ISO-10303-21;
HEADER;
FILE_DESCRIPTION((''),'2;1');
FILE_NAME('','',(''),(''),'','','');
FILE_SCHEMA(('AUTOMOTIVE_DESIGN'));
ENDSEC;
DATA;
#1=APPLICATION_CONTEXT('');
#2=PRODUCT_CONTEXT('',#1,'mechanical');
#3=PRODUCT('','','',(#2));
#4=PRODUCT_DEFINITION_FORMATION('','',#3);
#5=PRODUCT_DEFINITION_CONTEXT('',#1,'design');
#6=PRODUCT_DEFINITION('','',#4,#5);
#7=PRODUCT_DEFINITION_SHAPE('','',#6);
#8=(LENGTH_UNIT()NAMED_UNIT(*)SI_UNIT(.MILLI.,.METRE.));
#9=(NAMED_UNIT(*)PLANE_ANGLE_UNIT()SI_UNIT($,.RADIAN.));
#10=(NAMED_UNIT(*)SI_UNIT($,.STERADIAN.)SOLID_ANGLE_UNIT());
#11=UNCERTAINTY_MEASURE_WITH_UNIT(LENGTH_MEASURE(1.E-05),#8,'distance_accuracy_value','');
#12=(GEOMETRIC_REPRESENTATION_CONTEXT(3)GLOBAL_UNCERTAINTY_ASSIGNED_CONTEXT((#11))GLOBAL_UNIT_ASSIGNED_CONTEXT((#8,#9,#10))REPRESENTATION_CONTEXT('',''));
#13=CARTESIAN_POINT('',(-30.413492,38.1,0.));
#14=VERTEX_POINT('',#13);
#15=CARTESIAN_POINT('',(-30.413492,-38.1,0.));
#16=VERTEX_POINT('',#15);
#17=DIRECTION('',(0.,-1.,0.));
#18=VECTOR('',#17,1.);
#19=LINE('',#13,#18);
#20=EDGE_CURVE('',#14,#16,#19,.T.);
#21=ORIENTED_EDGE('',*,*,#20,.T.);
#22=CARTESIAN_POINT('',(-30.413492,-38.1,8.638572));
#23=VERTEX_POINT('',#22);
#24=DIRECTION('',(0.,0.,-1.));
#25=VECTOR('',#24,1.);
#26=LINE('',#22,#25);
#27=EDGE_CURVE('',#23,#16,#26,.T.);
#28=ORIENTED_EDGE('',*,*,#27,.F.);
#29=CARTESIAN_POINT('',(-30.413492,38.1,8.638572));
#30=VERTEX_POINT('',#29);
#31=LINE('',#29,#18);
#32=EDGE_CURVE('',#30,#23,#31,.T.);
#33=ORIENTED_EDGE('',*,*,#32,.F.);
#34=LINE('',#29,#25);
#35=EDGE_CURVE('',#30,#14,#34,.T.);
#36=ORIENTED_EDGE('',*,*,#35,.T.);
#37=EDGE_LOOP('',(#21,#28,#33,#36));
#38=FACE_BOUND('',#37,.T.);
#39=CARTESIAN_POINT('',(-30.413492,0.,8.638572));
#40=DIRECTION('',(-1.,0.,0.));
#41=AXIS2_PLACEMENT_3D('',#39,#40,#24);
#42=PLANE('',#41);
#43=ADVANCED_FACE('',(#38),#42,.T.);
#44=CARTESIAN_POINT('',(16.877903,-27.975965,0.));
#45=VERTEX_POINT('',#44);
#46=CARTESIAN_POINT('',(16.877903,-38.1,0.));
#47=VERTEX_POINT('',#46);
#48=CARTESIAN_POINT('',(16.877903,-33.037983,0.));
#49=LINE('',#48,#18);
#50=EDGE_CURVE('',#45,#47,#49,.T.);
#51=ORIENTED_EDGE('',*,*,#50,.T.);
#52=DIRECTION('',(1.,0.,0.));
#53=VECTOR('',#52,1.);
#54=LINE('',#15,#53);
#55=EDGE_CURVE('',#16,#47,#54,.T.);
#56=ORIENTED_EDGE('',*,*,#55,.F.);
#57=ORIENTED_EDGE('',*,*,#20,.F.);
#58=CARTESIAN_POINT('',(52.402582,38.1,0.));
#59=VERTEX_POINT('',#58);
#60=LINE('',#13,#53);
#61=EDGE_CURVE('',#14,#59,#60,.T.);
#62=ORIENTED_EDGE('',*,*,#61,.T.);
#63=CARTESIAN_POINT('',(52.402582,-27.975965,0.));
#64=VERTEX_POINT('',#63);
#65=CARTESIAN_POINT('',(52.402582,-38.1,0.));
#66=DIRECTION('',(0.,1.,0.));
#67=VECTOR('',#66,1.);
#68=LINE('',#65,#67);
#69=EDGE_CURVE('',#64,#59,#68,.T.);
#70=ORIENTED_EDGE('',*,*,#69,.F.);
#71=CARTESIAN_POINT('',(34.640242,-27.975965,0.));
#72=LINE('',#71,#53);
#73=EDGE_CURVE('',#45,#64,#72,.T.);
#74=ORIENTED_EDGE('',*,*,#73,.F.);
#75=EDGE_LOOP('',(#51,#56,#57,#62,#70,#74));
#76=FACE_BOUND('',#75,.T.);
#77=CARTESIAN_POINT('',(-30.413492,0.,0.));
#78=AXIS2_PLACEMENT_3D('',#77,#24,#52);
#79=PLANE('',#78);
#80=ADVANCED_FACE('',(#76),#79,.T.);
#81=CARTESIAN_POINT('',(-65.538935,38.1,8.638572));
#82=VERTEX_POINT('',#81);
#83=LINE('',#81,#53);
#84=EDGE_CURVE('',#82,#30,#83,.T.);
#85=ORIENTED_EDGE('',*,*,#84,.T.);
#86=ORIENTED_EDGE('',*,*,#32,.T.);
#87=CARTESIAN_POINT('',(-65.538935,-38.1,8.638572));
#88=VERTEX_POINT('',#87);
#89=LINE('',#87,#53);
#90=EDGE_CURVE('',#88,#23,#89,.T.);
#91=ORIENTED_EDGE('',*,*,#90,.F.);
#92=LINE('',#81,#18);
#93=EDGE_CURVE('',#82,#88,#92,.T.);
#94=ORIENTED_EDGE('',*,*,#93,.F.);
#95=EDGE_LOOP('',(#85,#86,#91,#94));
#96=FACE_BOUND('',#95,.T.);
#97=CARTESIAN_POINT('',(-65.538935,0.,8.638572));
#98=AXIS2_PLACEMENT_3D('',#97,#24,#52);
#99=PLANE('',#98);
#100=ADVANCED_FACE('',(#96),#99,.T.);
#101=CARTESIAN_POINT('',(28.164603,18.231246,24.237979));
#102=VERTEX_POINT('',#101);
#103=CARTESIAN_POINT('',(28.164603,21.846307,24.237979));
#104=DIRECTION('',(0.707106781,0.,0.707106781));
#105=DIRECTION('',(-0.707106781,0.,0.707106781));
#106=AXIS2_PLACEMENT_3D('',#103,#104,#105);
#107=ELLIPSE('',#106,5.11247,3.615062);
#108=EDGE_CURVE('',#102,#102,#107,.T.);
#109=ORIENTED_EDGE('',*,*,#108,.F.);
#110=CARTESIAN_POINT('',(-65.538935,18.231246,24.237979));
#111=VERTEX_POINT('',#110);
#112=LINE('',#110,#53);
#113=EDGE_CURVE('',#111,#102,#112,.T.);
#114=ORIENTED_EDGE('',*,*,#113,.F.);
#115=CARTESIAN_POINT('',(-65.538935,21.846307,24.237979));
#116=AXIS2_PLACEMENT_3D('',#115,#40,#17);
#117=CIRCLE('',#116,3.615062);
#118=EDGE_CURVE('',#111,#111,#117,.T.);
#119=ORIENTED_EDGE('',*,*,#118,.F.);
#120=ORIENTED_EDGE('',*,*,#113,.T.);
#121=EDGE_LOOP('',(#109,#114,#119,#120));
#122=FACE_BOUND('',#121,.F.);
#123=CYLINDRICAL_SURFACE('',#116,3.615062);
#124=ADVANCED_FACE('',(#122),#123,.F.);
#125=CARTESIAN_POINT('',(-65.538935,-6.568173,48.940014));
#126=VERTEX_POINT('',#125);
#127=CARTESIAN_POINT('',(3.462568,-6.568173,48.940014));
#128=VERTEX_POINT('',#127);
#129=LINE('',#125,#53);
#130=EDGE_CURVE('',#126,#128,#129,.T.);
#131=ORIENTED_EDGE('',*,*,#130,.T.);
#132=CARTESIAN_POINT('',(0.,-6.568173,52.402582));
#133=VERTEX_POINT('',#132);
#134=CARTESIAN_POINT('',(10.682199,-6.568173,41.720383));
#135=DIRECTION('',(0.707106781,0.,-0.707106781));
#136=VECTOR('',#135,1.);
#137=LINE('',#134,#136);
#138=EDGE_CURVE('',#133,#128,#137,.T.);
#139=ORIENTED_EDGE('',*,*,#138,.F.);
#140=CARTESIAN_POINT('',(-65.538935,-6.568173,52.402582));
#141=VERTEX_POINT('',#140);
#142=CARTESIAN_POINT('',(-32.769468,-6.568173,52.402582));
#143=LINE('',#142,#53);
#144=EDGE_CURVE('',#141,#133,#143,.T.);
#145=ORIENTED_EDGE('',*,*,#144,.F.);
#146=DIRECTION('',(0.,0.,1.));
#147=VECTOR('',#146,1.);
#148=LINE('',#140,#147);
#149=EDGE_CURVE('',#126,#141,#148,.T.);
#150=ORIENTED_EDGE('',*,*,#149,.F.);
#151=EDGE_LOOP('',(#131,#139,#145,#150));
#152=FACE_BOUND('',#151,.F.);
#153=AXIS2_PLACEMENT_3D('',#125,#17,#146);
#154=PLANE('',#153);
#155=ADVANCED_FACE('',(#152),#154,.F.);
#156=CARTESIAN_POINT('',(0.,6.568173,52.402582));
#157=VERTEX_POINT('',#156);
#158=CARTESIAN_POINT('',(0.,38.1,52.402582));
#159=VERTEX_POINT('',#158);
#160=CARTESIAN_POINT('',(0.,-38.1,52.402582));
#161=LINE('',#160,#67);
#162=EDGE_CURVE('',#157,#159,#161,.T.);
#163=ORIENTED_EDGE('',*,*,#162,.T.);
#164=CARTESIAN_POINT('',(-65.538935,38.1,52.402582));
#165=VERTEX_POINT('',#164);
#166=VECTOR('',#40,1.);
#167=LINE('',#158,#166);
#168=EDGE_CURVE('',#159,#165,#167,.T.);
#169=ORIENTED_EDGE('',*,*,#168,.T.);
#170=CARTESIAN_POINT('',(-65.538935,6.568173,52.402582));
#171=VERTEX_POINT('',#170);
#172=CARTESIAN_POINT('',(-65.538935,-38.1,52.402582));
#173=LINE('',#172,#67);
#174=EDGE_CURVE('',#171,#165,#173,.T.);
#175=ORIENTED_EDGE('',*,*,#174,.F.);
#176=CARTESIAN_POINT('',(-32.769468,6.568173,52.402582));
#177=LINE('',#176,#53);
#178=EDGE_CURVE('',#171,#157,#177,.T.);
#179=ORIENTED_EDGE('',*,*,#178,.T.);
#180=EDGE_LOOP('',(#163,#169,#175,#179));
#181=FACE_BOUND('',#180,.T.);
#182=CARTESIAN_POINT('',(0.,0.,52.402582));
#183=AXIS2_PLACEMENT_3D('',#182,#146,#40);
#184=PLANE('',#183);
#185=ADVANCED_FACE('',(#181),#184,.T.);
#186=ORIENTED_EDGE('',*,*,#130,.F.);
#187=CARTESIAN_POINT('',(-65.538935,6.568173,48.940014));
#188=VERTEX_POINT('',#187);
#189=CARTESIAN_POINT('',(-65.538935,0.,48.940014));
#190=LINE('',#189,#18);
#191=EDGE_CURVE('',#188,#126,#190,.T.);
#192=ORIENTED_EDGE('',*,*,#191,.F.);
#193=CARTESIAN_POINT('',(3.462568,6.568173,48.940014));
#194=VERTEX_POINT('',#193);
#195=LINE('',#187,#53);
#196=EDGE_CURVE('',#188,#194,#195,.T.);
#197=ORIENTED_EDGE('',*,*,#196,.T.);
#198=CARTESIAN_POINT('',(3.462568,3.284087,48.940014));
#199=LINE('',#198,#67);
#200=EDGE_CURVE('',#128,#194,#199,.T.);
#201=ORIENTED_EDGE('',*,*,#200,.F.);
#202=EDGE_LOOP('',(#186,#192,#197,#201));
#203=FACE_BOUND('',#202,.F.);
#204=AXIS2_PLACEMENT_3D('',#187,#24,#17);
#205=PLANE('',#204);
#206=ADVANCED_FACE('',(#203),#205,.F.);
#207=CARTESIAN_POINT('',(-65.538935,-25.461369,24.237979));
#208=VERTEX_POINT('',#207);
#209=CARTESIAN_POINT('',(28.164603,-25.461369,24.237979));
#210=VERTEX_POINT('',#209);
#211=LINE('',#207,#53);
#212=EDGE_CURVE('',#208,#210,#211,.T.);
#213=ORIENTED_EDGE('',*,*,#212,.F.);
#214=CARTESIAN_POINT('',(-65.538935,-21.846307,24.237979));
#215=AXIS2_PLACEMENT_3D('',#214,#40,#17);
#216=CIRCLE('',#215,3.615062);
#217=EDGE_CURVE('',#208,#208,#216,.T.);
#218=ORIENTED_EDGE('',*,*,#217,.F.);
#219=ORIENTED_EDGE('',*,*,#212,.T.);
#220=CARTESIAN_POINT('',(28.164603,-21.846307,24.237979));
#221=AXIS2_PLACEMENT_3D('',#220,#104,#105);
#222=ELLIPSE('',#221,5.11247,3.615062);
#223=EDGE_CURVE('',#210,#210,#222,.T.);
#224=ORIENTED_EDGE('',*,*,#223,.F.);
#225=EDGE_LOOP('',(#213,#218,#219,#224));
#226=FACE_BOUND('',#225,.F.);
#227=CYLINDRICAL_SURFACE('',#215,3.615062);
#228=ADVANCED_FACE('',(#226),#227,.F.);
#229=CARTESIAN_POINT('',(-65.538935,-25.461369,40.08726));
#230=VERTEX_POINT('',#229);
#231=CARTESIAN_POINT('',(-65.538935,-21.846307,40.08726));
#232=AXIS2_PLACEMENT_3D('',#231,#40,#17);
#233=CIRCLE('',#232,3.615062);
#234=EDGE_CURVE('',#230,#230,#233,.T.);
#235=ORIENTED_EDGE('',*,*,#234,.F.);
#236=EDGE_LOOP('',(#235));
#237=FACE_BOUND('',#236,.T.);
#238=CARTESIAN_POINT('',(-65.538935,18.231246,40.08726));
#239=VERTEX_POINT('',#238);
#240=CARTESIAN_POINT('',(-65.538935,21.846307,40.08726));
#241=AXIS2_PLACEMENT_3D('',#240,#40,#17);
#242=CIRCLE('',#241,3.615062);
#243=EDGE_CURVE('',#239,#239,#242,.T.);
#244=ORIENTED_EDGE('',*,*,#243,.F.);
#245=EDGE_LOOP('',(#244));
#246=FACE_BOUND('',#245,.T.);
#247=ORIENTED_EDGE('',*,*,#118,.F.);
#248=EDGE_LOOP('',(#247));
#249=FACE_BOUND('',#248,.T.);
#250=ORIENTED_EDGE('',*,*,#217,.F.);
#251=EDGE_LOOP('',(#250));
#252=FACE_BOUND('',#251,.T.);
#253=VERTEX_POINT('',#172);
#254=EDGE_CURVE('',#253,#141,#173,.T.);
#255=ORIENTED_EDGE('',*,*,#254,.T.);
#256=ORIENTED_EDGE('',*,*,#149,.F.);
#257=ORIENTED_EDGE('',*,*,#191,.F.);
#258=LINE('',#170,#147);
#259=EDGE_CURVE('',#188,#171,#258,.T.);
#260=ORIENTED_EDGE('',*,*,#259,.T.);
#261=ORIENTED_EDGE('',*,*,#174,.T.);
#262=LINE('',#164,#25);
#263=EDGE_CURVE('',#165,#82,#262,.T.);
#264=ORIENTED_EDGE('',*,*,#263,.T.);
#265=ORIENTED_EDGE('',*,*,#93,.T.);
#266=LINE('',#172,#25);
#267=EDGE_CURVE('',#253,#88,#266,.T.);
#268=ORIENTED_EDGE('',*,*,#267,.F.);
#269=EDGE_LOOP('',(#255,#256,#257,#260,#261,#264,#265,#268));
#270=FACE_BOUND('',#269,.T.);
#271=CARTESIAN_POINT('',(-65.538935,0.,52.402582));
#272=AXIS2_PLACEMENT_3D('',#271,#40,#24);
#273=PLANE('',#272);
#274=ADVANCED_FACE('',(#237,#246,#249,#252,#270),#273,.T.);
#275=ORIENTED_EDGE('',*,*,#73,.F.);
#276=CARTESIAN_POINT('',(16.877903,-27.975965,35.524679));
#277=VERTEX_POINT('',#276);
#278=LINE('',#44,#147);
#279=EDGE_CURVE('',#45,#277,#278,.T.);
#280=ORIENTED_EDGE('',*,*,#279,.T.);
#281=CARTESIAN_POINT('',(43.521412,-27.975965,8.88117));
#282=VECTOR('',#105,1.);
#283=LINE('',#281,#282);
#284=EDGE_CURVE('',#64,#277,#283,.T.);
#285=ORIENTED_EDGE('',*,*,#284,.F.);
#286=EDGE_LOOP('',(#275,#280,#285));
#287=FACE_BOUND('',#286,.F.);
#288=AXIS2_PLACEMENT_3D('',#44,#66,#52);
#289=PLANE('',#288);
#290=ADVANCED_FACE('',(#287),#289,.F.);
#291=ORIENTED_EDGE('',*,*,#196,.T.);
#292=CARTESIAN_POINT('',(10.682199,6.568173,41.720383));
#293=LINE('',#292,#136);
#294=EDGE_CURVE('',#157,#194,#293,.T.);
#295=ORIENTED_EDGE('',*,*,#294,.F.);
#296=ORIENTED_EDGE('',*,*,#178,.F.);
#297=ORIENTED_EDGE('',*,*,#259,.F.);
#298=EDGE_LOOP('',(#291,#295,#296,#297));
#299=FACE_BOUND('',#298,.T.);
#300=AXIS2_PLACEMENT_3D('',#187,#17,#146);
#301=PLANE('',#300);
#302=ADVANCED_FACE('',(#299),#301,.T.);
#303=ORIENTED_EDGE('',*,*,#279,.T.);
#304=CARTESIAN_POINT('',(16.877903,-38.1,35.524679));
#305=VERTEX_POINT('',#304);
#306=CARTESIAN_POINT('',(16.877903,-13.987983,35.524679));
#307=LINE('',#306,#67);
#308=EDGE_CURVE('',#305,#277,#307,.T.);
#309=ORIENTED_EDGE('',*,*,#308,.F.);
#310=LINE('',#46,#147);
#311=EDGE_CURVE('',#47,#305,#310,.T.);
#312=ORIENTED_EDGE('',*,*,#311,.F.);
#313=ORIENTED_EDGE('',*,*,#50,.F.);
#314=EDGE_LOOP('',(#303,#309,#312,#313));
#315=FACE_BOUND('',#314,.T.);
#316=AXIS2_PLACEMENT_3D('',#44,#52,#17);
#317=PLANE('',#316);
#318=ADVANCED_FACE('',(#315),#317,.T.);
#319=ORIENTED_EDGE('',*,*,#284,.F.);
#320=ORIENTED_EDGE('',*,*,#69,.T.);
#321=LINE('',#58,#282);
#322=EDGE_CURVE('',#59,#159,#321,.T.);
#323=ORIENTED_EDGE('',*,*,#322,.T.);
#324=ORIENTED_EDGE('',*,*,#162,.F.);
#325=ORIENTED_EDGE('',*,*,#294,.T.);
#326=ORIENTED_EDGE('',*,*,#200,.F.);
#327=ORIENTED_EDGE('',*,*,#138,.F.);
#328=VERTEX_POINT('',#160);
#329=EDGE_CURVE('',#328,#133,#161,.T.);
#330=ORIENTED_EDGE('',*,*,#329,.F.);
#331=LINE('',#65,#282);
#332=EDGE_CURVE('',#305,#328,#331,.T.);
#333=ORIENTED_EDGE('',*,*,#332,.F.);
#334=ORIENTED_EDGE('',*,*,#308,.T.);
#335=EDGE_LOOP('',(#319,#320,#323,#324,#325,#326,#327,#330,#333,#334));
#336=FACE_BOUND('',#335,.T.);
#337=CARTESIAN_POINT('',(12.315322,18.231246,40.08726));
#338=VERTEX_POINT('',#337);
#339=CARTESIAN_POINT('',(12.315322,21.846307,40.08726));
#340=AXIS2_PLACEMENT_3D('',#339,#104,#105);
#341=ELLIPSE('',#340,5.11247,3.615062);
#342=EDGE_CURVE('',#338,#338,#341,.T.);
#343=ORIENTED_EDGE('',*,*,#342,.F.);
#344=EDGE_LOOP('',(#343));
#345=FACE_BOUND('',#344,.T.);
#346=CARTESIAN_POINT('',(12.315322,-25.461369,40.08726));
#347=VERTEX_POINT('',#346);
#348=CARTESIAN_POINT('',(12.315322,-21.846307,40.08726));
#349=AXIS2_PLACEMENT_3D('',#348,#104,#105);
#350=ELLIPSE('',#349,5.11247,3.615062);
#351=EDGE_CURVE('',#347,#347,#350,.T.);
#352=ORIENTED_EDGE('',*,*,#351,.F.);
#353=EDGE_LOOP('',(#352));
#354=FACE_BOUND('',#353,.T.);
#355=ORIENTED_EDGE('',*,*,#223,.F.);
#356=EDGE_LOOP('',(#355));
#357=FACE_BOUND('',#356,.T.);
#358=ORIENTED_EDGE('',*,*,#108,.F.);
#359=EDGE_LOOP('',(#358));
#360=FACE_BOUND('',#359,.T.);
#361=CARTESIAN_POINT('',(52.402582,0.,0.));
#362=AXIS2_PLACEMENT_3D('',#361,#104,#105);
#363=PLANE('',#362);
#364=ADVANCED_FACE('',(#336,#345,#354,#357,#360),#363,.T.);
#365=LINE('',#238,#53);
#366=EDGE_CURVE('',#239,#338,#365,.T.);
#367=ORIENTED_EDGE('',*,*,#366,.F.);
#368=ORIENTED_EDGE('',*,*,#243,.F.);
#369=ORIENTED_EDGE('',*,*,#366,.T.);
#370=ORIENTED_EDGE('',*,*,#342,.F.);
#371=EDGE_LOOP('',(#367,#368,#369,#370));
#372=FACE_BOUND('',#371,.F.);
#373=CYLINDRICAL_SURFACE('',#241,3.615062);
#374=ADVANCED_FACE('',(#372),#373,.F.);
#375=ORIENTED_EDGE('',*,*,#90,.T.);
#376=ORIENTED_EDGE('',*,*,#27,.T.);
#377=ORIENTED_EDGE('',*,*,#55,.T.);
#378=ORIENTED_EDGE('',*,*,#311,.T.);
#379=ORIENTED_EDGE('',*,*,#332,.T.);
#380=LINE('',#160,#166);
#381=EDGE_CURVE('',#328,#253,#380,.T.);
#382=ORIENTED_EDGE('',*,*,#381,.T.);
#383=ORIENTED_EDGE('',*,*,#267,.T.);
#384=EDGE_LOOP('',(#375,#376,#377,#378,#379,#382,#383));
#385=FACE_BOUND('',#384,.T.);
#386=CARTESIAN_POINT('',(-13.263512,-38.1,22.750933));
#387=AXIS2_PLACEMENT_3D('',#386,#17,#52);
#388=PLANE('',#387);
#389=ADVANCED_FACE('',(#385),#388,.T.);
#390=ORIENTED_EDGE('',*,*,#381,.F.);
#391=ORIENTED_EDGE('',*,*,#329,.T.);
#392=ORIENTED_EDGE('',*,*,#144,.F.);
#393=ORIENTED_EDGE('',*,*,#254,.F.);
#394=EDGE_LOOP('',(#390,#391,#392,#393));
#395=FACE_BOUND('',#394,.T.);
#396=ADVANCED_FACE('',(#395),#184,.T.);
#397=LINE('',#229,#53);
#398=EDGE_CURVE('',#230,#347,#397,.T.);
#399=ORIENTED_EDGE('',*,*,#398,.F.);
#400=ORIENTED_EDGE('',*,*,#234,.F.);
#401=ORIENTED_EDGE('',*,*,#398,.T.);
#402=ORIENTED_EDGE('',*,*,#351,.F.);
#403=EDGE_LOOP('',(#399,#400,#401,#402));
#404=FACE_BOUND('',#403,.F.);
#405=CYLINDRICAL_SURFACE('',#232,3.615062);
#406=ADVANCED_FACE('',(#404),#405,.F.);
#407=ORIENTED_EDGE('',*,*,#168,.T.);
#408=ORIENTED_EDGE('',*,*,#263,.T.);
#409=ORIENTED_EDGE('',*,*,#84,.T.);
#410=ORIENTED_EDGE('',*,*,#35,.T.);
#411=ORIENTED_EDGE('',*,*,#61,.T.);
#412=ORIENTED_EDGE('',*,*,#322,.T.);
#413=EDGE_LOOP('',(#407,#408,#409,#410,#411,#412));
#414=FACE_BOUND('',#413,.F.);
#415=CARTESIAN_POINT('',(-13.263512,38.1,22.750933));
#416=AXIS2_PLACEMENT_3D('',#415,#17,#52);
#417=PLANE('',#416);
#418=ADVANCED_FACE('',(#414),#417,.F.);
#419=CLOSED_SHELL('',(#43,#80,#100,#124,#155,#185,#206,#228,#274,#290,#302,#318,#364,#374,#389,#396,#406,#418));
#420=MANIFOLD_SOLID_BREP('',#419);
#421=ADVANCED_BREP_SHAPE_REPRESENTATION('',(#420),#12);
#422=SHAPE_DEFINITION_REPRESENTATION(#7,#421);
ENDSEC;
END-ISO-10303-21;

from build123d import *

# Parameters (mm, degrees)
F1_DEPTH      = 38.1
F1_DEPTH_BACK = 38.1
F2_W          = 13.1363468245
F2_H          = 6.9251358509
F2_R          = 3.615061925
F3_DEPTH      = 117.9425173829
F4_W          = 35.5246793479
F4_H          = 10.1240347087
F5_DEPTH      = 52.4035820196


with BuildPart() as f1:
    # F0 (on Front) → F1 (new body, two sides)
    with BuildSketch(Plane.XZ) as f1_sk:
        Polygon((-65.5389353633, 52.4025820196), (-65.5389353633, 8.6385719478), (-30.4134916514, 8.6385719478), (-30.4134916514, 0), (52.4025820196, 0), (0, 52.4025820196), align=None)
    extrude(amount=F1_DEPTH)
    extrude(f1_sk.sketch, amount=-F1_DEPTH_BACK)

    # F2 (on face) → F3 (cut, through all)
    with BuildSketch(Plane(origin=(-65.5389353633, 0, 0), x_dir=(0, -1, 0), z_dir=(-1, 0, 0))):
        with Locations((0, 52.4025820196)):
            Rectangle(F2_W, F2_H)
        with Locations((-21.8463074416, 40.0872603059)):
            Circle(F2_R)
        with Locations((-21.8463074416, 24.2379792035)):
            Circle(F2_R)
        with Locations((21.8463074416, 24.2379792035)):
            Circle(F2_R)
        with Locations((21.8463074416, 40.0872603059)):
            Circle(F2_R)
    extrude(amount=-F3_DEPTH, mode=Mode.SUBTRACT)

    # F4 (on face) → F5 (cut, through all)
    with BuildSketch(Plane(origin=(0, 0, 0), x_dir=(1, 0, 0), z_dir=(0, 0, -1))):
        with Locations((34.6402423456, 33.0379826456)):
            Rectangle(F4_W, F4_H)
    extrude(amount=-F5_DEPTH, mode=Mode.SUBTRACT)


solid = f1.part
